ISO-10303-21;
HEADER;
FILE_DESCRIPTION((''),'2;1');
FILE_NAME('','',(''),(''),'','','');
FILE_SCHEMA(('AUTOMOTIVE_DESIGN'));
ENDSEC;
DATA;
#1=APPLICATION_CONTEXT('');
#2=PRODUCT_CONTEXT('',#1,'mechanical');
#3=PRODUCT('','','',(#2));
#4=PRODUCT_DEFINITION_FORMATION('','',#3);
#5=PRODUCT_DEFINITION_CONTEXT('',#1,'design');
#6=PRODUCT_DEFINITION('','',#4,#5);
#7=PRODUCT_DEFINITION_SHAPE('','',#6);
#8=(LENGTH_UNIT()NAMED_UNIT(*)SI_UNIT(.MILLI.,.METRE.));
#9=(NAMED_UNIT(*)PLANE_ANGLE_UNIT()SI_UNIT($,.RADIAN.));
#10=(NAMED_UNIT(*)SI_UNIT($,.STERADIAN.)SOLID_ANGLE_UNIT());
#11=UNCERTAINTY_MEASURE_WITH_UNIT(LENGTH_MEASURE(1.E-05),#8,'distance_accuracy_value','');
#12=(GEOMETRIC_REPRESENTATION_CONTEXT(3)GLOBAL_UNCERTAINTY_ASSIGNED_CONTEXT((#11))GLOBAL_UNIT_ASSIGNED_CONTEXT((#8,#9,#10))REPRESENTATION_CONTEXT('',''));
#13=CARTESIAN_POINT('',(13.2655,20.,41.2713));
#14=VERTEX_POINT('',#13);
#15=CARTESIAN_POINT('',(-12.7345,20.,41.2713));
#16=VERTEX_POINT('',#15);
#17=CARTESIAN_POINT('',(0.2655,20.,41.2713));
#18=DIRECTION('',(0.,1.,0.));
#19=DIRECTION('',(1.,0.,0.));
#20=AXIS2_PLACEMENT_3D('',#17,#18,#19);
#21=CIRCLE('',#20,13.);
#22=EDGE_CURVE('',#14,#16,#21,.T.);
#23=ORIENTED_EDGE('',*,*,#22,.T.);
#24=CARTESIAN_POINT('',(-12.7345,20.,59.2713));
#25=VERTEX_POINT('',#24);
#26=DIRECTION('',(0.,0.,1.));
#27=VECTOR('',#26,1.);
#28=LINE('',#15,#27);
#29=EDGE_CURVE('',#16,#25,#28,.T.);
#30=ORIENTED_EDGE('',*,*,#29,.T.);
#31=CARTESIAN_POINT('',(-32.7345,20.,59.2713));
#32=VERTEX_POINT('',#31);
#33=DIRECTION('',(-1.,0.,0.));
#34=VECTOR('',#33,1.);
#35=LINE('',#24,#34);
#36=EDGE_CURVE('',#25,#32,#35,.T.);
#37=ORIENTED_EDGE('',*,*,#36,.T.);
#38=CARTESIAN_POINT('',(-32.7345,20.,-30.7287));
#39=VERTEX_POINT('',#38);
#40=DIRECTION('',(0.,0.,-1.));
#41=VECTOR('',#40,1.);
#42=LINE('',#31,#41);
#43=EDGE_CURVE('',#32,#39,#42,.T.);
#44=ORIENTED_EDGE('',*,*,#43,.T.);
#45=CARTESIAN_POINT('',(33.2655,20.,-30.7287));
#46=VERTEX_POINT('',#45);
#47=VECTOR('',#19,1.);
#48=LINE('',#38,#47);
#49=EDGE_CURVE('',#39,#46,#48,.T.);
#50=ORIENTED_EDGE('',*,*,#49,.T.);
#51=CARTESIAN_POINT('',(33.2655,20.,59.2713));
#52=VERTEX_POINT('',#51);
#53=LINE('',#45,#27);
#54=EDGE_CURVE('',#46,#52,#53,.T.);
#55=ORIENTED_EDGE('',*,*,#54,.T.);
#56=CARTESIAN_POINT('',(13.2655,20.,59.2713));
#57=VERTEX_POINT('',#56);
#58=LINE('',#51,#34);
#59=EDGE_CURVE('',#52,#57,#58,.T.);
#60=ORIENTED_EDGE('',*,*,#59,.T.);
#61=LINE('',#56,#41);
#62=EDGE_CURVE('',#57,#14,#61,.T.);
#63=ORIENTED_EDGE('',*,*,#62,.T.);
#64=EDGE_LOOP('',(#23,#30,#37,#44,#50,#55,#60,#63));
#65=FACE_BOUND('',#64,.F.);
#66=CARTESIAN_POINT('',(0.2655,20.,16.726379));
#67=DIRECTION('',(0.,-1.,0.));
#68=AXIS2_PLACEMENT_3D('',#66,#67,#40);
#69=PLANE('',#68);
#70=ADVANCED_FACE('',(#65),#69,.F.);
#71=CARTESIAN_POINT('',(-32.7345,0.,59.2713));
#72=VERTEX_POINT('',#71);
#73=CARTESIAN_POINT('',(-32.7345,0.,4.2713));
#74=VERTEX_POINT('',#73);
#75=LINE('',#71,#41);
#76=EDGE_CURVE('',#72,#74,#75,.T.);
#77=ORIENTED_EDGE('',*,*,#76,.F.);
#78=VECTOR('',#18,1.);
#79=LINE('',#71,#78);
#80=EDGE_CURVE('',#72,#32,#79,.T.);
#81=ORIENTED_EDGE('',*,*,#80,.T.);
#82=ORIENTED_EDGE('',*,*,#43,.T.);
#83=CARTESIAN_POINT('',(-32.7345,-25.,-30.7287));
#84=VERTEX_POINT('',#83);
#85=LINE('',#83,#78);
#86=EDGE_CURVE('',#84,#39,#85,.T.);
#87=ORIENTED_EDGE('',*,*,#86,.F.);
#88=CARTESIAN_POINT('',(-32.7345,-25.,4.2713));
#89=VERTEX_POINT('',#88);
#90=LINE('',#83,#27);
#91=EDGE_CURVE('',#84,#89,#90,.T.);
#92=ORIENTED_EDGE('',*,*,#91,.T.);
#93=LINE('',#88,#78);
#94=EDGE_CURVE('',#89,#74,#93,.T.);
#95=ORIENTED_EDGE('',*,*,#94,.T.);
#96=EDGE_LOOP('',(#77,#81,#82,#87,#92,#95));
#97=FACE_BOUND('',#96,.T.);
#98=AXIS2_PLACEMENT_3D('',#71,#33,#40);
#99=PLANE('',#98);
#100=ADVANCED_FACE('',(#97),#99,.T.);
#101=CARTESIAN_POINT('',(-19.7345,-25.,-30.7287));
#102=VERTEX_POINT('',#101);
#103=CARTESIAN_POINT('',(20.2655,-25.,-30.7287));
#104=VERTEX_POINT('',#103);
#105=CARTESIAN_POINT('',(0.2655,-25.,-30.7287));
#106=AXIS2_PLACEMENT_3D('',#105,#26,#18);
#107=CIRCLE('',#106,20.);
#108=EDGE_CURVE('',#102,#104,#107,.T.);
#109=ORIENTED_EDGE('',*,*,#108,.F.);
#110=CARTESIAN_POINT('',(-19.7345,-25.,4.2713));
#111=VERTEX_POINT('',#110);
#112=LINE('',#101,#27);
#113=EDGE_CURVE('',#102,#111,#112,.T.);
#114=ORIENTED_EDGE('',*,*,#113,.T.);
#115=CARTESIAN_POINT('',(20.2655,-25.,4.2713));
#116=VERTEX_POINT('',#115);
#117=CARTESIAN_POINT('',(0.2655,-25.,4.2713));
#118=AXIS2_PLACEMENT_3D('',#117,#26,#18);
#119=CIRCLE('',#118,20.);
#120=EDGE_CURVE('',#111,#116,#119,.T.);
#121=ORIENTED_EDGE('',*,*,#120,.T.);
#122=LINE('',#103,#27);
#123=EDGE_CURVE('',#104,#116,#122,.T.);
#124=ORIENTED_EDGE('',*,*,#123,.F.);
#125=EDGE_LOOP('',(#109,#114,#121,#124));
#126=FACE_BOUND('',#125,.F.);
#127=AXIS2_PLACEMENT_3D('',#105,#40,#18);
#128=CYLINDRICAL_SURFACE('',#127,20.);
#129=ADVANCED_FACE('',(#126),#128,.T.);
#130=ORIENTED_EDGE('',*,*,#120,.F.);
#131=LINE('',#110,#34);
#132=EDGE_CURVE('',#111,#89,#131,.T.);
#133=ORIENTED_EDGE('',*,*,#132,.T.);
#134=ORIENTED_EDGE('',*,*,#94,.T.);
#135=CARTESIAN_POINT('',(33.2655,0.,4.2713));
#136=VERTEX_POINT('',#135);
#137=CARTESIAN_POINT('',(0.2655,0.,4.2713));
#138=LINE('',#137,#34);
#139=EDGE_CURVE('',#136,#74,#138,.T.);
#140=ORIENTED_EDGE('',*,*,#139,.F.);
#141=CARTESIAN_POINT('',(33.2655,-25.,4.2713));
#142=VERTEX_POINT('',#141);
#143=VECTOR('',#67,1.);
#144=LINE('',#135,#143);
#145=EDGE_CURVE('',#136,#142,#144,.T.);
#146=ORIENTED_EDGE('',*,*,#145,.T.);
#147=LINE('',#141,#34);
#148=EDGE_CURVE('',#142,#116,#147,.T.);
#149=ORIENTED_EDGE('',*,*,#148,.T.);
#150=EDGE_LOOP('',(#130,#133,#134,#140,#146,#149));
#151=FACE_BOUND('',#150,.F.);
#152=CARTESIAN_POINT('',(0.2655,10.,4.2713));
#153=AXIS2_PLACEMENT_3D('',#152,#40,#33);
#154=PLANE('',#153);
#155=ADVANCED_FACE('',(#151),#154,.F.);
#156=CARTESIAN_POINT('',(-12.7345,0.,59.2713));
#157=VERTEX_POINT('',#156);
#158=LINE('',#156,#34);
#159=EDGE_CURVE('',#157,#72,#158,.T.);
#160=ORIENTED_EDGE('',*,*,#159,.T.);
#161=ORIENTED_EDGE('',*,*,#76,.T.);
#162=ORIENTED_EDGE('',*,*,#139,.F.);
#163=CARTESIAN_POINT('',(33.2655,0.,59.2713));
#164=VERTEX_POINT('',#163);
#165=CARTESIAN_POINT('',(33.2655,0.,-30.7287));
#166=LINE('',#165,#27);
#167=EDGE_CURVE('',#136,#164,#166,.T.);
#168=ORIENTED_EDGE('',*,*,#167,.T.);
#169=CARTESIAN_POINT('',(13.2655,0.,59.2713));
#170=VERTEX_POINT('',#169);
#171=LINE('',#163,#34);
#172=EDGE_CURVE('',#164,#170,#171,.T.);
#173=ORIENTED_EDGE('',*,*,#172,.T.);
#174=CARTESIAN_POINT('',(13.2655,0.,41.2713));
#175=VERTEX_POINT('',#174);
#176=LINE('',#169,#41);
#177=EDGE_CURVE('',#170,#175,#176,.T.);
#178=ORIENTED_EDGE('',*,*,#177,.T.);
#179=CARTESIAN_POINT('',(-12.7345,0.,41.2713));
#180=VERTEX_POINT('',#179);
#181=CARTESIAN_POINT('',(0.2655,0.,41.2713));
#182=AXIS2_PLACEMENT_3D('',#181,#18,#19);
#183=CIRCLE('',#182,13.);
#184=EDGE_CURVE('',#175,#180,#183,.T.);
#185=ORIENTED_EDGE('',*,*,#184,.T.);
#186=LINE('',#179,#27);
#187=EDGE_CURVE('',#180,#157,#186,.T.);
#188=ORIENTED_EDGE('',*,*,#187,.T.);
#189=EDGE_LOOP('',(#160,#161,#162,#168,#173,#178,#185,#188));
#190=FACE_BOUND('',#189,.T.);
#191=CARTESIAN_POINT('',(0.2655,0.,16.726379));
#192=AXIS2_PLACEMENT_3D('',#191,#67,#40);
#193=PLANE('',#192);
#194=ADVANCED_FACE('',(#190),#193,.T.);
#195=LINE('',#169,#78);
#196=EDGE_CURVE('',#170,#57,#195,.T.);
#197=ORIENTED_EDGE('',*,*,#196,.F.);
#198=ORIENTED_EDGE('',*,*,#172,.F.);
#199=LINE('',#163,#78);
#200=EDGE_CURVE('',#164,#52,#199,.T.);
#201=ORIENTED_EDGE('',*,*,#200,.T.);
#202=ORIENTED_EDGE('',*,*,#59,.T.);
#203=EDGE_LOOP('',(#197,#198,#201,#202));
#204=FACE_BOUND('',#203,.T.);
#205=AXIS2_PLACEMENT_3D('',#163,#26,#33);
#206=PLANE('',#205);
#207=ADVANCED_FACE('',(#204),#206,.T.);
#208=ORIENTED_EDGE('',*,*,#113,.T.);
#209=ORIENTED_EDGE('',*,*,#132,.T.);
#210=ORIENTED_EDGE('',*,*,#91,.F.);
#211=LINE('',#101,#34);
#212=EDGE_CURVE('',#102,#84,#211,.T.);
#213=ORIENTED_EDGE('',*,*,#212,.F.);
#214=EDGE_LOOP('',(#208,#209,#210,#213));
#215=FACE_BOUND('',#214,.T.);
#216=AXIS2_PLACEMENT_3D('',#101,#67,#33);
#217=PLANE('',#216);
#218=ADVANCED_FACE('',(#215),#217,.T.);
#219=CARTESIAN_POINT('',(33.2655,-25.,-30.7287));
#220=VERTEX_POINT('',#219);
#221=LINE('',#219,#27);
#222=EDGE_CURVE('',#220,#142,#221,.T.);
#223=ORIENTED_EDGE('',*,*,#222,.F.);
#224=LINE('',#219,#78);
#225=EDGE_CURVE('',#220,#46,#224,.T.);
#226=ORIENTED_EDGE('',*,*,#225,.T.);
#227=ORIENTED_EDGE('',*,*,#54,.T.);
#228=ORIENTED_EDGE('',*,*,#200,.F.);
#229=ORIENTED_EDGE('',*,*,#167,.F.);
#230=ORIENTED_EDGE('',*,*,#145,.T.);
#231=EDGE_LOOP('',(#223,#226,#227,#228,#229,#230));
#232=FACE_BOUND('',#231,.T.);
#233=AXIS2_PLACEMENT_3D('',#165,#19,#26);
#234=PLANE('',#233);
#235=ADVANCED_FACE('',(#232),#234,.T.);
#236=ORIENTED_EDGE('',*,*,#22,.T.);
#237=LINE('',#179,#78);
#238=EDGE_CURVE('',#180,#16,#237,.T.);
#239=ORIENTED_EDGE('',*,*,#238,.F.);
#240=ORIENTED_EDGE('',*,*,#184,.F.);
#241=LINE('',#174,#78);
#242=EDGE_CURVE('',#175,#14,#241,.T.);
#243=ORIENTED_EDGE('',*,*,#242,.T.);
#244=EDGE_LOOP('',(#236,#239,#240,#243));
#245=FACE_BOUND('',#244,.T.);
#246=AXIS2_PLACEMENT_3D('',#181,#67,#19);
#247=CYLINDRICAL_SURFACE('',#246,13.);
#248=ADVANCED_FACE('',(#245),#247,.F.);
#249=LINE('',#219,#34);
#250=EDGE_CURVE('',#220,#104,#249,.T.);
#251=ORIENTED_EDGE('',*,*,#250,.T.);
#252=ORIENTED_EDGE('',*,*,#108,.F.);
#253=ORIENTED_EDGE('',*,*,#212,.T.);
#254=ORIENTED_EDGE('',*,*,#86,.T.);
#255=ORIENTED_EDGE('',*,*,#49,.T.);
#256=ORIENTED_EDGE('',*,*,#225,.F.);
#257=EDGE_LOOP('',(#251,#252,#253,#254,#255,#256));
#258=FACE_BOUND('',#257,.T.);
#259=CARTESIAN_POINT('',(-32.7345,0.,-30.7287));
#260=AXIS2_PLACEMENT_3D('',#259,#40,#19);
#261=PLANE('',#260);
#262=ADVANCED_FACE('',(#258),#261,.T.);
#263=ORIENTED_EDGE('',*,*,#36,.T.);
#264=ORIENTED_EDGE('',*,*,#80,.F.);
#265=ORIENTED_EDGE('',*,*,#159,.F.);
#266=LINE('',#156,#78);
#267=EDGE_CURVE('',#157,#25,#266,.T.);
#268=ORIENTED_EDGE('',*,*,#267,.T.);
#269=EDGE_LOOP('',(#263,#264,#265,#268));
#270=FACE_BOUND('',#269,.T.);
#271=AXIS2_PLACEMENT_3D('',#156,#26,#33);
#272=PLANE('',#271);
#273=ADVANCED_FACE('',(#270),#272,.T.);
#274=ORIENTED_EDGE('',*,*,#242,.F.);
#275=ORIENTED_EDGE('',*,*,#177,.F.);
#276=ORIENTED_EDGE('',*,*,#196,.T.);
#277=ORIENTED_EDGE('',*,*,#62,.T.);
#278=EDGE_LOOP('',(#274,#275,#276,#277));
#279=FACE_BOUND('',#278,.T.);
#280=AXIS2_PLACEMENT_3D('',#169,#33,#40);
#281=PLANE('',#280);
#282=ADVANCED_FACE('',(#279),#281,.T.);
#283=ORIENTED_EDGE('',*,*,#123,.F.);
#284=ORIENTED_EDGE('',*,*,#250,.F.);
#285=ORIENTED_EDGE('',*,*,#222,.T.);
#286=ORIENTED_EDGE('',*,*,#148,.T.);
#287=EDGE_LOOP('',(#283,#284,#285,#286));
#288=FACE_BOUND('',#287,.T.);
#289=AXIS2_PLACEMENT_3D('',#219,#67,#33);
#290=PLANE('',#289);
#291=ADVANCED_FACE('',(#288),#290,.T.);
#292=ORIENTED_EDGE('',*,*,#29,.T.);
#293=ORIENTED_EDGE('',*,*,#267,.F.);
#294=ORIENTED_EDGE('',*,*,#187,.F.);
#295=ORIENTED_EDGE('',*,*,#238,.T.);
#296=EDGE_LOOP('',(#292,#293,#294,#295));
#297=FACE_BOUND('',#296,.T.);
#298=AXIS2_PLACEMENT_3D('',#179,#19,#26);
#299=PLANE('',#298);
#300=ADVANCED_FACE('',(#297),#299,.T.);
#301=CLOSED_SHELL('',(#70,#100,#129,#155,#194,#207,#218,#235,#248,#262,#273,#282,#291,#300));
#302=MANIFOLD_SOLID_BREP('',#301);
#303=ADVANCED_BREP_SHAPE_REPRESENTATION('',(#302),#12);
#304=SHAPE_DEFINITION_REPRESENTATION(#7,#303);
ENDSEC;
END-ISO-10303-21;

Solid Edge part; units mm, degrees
sketch "Sketch1" plane through (0, 0, 0) normal (0, -1, 0) x (1, 0, 0)
  line L0 (33.2655, -30.7287) -> (33.2655, 59.2713)
  line L1 (33.2655, 59.2713) -> (13.2655, 59.2713)
  line L2 (13.2655, 59.2713) -> (13.2655, 41.2713)
  line L3 (-12.7345, 41.2713) -> (-12.7345, 59.2713)
  line L4 (-12.7345, 59.2713) -> (-32.7345, 59.2713)
  line L5 (-32.7345, 59.2713) -> (-32.7345, -30.7287)
  line L6 (-32.7345, -30.7287) -> (33.2655, -30.7287)
  arc A0 (13.2655, 41.2713) -> (-12.7345, 41.2713) centre (0.2655, 41.2713) cw
extrude "Protrusion1" add sketch "Sketch1" against normal blind 20
sketch "Sketch2" plane through (0.2655, 10, -30.7287) normal (0, 0, -1) x (0, 1, 0)
  line L0 (-10, 33) -> (-35, 33)
  line L1 (-35, 33) -> (-35, 20)
  line L2 (-35, -20) -> (-35, -33)
  line L3 (-35, -33) -> (-10, -33)
  arc A0 (-35, -20) -> (-35, 20) centre (-35, 0) cw
extrude "ExtrudedProtrusion_7" add sketch "Sketch2" against normal blind 35 material side at (33.2155, -12.5, -30.7287)
